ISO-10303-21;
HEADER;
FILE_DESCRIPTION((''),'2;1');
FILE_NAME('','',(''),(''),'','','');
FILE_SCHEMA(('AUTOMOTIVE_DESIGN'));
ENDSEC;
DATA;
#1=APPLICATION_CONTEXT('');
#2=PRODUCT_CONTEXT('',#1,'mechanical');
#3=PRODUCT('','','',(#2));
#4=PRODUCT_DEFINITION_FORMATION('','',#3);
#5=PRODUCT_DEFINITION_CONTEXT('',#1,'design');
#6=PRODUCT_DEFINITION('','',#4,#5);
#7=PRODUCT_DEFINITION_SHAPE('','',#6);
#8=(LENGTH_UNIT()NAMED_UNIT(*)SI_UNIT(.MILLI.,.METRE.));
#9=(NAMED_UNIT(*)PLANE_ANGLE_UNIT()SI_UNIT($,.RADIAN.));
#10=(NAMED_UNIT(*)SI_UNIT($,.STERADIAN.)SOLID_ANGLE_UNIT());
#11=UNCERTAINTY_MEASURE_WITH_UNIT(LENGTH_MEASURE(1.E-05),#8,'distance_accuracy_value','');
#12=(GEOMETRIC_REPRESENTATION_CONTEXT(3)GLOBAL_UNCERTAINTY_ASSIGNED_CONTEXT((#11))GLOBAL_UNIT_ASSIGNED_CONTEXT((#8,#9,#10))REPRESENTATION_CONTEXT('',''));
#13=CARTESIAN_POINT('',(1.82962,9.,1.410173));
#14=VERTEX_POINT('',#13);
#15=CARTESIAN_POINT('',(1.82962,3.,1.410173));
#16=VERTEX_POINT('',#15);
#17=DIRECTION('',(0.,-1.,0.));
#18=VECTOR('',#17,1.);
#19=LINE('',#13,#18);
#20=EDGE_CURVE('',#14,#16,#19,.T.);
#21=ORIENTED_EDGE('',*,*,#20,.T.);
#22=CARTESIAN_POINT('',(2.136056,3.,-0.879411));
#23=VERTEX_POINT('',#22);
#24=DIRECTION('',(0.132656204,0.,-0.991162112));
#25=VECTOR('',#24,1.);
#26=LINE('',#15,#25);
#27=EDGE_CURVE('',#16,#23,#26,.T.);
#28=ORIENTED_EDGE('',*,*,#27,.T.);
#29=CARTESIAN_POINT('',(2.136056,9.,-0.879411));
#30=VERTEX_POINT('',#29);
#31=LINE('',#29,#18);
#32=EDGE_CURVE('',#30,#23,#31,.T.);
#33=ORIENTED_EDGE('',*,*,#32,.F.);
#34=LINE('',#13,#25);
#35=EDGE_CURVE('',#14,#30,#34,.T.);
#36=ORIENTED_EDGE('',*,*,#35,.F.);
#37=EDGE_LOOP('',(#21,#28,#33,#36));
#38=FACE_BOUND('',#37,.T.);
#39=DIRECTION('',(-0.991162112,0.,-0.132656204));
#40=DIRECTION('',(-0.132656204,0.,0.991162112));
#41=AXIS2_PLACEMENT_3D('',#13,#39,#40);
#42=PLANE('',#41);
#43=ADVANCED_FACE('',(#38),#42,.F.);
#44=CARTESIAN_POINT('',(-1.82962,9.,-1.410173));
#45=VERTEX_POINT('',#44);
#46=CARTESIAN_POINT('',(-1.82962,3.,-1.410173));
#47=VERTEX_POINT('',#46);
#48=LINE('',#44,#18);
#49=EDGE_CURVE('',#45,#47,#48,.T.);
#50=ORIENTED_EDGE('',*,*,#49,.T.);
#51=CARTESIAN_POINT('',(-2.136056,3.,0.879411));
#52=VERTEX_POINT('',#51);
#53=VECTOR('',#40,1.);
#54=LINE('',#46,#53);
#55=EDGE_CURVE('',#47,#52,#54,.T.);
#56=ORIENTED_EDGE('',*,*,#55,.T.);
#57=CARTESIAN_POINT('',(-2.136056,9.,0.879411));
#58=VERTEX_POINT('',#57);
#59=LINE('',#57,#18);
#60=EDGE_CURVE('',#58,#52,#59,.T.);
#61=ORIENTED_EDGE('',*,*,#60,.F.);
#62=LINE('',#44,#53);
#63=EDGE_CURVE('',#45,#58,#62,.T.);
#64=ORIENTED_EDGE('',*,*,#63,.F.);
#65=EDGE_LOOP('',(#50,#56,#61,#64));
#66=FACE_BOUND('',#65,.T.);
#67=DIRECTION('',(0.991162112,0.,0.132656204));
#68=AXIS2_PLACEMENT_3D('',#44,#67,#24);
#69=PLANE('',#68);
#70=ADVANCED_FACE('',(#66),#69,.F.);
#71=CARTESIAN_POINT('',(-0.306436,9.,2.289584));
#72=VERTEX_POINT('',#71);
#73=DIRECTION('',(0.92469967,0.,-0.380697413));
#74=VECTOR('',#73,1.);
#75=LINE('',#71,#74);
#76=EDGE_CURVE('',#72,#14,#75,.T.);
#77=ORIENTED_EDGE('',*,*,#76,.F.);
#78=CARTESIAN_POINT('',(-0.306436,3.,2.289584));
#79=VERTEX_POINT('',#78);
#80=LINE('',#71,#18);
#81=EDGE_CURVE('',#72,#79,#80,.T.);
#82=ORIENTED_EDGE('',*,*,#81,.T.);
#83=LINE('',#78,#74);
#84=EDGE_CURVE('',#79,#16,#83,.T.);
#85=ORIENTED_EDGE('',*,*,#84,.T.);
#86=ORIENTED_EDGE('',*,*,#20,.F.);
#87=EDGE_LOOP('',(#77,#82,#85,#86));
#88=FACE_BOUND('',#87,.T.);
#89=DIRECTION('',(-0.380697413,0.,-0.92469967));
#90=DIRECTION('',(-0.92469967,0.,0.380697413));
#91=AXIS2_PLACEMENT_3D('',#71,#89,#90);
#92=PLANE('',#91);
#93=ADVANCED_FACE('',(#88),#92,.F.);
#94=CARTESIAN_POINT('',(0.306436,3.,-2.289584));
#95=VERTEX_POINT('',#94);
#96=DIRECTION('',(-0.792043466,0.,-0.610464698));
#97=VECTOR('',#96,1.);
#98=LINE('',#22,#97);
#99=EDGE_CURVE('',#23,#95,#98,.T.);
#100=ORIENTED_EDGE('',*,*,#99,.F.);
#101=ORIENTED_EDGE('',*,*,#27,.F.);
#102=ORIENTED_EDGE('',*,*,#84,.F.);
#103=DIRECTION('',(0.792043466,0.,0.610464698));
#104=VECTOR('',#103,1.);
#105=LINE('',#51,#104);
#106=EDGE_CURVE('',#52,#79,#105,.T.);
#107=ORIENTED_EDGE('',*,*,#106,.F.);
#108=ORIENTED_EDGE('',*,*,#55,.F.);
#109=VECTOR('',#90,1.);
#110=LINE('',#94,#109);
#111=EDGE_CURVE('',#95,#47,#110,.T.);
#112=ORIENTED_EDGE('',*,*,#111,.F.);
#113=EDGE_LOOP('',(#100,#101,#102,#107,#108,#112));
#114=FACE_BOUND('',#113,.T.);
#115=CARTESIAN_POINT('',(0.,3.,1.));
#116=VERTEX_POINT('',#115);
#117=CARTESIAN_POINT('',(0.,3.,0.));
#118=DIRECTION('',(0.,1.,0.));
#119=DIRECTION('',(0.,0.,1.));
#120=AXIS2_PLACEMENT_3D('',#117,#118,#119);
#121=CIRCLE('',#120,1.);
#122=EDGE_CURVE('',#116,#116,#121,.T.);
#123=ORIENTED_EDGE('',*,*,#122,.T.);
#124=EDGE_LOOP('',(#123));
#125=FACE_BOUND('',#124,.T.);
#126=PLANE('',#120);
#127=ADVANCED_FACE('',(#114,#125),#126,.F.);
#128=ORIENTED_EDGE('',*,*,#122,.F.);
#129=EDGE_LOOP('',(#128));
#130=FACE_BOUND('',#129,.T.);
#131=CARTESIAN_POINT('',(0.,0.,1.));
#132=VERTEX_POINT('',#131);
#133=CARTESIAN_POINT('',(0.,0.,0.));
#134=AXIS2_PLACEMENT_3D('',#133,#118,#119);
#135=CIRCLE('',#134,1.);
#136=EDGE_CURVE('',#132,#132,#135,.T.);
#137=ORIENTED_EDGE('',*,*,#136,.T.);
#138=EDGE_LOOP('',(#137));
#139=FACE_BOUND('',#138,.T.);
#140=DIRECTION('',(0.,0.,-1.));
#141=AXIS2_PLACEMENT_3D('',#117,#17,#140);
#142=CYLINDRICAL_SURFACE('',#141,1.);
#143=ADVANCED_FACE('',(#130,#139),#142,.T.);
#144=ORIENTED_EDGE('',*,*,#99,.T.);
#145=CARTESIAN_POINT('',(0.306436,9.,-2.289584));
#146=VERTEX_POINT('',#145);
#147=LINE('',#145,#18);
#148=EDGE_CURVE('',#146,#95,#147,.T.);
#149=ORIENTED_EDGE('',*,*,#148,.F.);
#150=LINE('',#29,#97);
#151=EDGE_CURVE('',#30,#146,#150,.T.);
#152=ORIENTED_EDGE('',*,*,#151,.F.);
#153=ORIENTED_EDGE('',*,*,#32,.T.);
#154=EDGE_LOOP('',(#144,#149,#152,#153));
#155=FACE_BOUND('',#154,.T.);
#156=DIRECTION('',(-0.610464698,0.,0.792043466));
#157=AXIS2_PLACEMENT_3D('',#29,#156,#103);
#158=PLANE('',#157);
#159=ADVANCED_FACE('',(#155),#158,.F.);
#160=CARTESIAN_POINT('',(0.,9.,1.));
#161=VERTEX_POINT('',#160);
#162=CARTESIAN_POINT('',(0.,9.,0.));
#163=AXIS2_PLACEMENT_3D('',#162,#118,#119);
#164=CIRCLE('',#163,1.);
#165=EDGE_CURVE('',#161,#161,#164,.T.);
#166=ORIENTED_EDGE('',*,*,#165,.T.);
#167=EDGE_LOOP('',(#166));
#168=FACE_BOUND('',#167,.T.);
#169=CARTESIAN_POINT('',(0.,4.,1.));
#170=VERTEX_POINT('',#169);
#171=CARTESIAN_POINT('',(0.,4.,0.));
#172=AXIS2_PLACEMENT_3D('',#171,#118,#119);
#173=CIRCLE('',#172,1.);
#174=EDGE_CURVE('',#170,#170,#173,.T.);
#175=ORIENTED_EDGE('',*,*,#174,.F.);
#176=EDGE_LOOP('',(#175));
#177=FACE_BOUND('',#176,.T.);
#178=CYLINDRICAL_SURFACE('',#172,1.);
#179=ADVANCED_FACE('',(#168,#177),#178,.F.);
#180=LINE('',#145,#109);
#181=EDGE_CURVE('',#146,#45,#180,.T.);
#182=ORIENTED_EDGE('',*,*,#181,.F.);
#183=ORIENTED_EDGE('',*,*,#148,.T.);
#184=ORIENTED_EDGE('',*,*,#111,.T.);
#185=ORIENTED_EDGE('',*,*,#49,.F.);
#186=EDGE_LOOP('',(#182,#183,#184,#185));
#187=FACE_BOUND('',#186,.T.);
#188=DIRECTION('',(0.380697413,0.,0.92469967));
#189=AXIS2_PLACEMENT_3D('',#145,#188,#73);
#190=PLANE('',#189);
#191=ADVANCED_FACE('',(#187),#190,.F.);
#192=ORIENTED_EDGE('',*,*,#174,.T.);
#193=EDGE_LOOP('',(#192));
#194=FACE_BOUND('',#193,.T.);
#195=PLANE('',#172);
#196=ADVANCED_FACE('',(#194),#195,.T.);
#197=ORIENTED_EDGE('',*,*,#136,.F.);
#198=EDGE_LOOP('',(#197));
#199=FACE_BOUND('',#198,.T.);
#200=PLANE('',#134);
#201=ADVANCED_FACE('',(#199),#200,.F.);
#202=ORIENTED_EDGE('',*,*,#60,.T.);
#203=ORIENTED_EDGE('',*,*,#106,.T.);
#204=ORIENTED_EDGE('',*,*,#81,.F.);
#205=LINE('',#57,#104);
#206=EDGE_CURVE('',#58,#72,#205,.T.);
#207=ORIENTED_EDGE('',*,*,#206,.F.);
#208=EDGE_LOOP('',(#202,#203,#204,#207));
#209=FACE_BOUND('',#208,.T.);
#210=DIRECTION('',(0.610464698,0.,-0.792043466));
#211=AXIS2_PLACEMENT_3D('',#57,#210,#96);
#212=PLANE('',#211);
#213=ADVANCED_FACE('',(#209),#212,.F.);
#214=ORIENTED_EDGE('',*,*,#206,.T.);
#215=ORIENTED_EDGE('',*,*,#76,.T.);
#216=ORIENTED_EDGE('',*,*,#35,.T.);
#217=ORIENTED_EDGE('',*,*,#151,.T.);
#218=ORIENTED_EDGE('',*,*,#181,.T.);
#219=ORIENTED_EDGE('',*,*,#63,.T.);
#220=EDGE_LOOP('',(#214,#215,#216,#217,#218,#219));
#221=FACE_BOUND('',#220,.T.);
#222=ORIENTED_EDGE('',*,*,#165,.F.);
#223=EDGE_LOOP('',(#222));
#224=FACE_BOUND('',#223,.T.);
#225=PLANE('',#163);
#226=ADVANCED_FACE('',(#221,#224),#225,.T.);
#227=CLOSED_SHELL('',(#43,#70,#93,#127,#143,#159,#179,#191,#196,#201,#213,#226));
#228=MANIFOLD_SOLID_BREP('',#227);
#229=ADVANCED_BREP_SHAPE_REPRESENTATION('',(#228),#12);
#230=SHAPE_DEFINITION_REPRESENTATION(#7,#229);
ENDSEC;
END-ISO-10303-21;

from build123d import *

# Parameters (mm, degrees)
SKETCH1_R           = 1
BOSS_EXTRUDE1_DEPTH = 3
BOSS_EXTRUDE2_DEPTH = 6
CUT_EXTRUDE1_START  = -5
SKETCH3_R           = 1
CUT_EXTRUDE1_DEPTH  = 5


with BuildPart() as part:
    # Sketch1 → Boss-Extrude1 (new body)
    with BuildSketch(Plane(origin=(0, 0, 0), x_dir=(1, 0, 0), z_dir=(0, 1, 0))):
        with Locations(Location((0, 0, 0), (0, 0, 270))):
            Circle(SKETCH1_R)
    extrude(amount=BOSS_EXTRUDE1_DEPTH)

    # Sketch2 → Boss-Extrude2 (add)
    with BuildSketch(Plane(origin=(0, 3, 0), x_dir=(1, 0, 0), z_dir=(0, 1, 0))):
        Polygon((-0.306435831, -2.289584478), (1.829620407, -1.410173453), (2.136056237, 0.879411025), (0.306435831, 2.289584478), (-1.829620407, 1.410173453), (-2.136056237, -0.879411025), align=None)
    extrude(amount=BOSS_EXTRUDE2_DEPTH)

    # Sketch3 → Cut-Extrude1 (cut)
    with BuildSketch(Plane(origin=(0, 9, 0), x_dir=(1, 0, 0), z_dir=(0, 1, 0)).offset(CUT_EXTRUDE1_START)):
        with Locations(Location((0, 0, 0), (0, 0, 270))):
            Circle(SKETCH3_R)
    extrude(amount=CUT_EXTRUDE1_DEPTH, mode=Mode.SUBTRACT)


solid = part.part
